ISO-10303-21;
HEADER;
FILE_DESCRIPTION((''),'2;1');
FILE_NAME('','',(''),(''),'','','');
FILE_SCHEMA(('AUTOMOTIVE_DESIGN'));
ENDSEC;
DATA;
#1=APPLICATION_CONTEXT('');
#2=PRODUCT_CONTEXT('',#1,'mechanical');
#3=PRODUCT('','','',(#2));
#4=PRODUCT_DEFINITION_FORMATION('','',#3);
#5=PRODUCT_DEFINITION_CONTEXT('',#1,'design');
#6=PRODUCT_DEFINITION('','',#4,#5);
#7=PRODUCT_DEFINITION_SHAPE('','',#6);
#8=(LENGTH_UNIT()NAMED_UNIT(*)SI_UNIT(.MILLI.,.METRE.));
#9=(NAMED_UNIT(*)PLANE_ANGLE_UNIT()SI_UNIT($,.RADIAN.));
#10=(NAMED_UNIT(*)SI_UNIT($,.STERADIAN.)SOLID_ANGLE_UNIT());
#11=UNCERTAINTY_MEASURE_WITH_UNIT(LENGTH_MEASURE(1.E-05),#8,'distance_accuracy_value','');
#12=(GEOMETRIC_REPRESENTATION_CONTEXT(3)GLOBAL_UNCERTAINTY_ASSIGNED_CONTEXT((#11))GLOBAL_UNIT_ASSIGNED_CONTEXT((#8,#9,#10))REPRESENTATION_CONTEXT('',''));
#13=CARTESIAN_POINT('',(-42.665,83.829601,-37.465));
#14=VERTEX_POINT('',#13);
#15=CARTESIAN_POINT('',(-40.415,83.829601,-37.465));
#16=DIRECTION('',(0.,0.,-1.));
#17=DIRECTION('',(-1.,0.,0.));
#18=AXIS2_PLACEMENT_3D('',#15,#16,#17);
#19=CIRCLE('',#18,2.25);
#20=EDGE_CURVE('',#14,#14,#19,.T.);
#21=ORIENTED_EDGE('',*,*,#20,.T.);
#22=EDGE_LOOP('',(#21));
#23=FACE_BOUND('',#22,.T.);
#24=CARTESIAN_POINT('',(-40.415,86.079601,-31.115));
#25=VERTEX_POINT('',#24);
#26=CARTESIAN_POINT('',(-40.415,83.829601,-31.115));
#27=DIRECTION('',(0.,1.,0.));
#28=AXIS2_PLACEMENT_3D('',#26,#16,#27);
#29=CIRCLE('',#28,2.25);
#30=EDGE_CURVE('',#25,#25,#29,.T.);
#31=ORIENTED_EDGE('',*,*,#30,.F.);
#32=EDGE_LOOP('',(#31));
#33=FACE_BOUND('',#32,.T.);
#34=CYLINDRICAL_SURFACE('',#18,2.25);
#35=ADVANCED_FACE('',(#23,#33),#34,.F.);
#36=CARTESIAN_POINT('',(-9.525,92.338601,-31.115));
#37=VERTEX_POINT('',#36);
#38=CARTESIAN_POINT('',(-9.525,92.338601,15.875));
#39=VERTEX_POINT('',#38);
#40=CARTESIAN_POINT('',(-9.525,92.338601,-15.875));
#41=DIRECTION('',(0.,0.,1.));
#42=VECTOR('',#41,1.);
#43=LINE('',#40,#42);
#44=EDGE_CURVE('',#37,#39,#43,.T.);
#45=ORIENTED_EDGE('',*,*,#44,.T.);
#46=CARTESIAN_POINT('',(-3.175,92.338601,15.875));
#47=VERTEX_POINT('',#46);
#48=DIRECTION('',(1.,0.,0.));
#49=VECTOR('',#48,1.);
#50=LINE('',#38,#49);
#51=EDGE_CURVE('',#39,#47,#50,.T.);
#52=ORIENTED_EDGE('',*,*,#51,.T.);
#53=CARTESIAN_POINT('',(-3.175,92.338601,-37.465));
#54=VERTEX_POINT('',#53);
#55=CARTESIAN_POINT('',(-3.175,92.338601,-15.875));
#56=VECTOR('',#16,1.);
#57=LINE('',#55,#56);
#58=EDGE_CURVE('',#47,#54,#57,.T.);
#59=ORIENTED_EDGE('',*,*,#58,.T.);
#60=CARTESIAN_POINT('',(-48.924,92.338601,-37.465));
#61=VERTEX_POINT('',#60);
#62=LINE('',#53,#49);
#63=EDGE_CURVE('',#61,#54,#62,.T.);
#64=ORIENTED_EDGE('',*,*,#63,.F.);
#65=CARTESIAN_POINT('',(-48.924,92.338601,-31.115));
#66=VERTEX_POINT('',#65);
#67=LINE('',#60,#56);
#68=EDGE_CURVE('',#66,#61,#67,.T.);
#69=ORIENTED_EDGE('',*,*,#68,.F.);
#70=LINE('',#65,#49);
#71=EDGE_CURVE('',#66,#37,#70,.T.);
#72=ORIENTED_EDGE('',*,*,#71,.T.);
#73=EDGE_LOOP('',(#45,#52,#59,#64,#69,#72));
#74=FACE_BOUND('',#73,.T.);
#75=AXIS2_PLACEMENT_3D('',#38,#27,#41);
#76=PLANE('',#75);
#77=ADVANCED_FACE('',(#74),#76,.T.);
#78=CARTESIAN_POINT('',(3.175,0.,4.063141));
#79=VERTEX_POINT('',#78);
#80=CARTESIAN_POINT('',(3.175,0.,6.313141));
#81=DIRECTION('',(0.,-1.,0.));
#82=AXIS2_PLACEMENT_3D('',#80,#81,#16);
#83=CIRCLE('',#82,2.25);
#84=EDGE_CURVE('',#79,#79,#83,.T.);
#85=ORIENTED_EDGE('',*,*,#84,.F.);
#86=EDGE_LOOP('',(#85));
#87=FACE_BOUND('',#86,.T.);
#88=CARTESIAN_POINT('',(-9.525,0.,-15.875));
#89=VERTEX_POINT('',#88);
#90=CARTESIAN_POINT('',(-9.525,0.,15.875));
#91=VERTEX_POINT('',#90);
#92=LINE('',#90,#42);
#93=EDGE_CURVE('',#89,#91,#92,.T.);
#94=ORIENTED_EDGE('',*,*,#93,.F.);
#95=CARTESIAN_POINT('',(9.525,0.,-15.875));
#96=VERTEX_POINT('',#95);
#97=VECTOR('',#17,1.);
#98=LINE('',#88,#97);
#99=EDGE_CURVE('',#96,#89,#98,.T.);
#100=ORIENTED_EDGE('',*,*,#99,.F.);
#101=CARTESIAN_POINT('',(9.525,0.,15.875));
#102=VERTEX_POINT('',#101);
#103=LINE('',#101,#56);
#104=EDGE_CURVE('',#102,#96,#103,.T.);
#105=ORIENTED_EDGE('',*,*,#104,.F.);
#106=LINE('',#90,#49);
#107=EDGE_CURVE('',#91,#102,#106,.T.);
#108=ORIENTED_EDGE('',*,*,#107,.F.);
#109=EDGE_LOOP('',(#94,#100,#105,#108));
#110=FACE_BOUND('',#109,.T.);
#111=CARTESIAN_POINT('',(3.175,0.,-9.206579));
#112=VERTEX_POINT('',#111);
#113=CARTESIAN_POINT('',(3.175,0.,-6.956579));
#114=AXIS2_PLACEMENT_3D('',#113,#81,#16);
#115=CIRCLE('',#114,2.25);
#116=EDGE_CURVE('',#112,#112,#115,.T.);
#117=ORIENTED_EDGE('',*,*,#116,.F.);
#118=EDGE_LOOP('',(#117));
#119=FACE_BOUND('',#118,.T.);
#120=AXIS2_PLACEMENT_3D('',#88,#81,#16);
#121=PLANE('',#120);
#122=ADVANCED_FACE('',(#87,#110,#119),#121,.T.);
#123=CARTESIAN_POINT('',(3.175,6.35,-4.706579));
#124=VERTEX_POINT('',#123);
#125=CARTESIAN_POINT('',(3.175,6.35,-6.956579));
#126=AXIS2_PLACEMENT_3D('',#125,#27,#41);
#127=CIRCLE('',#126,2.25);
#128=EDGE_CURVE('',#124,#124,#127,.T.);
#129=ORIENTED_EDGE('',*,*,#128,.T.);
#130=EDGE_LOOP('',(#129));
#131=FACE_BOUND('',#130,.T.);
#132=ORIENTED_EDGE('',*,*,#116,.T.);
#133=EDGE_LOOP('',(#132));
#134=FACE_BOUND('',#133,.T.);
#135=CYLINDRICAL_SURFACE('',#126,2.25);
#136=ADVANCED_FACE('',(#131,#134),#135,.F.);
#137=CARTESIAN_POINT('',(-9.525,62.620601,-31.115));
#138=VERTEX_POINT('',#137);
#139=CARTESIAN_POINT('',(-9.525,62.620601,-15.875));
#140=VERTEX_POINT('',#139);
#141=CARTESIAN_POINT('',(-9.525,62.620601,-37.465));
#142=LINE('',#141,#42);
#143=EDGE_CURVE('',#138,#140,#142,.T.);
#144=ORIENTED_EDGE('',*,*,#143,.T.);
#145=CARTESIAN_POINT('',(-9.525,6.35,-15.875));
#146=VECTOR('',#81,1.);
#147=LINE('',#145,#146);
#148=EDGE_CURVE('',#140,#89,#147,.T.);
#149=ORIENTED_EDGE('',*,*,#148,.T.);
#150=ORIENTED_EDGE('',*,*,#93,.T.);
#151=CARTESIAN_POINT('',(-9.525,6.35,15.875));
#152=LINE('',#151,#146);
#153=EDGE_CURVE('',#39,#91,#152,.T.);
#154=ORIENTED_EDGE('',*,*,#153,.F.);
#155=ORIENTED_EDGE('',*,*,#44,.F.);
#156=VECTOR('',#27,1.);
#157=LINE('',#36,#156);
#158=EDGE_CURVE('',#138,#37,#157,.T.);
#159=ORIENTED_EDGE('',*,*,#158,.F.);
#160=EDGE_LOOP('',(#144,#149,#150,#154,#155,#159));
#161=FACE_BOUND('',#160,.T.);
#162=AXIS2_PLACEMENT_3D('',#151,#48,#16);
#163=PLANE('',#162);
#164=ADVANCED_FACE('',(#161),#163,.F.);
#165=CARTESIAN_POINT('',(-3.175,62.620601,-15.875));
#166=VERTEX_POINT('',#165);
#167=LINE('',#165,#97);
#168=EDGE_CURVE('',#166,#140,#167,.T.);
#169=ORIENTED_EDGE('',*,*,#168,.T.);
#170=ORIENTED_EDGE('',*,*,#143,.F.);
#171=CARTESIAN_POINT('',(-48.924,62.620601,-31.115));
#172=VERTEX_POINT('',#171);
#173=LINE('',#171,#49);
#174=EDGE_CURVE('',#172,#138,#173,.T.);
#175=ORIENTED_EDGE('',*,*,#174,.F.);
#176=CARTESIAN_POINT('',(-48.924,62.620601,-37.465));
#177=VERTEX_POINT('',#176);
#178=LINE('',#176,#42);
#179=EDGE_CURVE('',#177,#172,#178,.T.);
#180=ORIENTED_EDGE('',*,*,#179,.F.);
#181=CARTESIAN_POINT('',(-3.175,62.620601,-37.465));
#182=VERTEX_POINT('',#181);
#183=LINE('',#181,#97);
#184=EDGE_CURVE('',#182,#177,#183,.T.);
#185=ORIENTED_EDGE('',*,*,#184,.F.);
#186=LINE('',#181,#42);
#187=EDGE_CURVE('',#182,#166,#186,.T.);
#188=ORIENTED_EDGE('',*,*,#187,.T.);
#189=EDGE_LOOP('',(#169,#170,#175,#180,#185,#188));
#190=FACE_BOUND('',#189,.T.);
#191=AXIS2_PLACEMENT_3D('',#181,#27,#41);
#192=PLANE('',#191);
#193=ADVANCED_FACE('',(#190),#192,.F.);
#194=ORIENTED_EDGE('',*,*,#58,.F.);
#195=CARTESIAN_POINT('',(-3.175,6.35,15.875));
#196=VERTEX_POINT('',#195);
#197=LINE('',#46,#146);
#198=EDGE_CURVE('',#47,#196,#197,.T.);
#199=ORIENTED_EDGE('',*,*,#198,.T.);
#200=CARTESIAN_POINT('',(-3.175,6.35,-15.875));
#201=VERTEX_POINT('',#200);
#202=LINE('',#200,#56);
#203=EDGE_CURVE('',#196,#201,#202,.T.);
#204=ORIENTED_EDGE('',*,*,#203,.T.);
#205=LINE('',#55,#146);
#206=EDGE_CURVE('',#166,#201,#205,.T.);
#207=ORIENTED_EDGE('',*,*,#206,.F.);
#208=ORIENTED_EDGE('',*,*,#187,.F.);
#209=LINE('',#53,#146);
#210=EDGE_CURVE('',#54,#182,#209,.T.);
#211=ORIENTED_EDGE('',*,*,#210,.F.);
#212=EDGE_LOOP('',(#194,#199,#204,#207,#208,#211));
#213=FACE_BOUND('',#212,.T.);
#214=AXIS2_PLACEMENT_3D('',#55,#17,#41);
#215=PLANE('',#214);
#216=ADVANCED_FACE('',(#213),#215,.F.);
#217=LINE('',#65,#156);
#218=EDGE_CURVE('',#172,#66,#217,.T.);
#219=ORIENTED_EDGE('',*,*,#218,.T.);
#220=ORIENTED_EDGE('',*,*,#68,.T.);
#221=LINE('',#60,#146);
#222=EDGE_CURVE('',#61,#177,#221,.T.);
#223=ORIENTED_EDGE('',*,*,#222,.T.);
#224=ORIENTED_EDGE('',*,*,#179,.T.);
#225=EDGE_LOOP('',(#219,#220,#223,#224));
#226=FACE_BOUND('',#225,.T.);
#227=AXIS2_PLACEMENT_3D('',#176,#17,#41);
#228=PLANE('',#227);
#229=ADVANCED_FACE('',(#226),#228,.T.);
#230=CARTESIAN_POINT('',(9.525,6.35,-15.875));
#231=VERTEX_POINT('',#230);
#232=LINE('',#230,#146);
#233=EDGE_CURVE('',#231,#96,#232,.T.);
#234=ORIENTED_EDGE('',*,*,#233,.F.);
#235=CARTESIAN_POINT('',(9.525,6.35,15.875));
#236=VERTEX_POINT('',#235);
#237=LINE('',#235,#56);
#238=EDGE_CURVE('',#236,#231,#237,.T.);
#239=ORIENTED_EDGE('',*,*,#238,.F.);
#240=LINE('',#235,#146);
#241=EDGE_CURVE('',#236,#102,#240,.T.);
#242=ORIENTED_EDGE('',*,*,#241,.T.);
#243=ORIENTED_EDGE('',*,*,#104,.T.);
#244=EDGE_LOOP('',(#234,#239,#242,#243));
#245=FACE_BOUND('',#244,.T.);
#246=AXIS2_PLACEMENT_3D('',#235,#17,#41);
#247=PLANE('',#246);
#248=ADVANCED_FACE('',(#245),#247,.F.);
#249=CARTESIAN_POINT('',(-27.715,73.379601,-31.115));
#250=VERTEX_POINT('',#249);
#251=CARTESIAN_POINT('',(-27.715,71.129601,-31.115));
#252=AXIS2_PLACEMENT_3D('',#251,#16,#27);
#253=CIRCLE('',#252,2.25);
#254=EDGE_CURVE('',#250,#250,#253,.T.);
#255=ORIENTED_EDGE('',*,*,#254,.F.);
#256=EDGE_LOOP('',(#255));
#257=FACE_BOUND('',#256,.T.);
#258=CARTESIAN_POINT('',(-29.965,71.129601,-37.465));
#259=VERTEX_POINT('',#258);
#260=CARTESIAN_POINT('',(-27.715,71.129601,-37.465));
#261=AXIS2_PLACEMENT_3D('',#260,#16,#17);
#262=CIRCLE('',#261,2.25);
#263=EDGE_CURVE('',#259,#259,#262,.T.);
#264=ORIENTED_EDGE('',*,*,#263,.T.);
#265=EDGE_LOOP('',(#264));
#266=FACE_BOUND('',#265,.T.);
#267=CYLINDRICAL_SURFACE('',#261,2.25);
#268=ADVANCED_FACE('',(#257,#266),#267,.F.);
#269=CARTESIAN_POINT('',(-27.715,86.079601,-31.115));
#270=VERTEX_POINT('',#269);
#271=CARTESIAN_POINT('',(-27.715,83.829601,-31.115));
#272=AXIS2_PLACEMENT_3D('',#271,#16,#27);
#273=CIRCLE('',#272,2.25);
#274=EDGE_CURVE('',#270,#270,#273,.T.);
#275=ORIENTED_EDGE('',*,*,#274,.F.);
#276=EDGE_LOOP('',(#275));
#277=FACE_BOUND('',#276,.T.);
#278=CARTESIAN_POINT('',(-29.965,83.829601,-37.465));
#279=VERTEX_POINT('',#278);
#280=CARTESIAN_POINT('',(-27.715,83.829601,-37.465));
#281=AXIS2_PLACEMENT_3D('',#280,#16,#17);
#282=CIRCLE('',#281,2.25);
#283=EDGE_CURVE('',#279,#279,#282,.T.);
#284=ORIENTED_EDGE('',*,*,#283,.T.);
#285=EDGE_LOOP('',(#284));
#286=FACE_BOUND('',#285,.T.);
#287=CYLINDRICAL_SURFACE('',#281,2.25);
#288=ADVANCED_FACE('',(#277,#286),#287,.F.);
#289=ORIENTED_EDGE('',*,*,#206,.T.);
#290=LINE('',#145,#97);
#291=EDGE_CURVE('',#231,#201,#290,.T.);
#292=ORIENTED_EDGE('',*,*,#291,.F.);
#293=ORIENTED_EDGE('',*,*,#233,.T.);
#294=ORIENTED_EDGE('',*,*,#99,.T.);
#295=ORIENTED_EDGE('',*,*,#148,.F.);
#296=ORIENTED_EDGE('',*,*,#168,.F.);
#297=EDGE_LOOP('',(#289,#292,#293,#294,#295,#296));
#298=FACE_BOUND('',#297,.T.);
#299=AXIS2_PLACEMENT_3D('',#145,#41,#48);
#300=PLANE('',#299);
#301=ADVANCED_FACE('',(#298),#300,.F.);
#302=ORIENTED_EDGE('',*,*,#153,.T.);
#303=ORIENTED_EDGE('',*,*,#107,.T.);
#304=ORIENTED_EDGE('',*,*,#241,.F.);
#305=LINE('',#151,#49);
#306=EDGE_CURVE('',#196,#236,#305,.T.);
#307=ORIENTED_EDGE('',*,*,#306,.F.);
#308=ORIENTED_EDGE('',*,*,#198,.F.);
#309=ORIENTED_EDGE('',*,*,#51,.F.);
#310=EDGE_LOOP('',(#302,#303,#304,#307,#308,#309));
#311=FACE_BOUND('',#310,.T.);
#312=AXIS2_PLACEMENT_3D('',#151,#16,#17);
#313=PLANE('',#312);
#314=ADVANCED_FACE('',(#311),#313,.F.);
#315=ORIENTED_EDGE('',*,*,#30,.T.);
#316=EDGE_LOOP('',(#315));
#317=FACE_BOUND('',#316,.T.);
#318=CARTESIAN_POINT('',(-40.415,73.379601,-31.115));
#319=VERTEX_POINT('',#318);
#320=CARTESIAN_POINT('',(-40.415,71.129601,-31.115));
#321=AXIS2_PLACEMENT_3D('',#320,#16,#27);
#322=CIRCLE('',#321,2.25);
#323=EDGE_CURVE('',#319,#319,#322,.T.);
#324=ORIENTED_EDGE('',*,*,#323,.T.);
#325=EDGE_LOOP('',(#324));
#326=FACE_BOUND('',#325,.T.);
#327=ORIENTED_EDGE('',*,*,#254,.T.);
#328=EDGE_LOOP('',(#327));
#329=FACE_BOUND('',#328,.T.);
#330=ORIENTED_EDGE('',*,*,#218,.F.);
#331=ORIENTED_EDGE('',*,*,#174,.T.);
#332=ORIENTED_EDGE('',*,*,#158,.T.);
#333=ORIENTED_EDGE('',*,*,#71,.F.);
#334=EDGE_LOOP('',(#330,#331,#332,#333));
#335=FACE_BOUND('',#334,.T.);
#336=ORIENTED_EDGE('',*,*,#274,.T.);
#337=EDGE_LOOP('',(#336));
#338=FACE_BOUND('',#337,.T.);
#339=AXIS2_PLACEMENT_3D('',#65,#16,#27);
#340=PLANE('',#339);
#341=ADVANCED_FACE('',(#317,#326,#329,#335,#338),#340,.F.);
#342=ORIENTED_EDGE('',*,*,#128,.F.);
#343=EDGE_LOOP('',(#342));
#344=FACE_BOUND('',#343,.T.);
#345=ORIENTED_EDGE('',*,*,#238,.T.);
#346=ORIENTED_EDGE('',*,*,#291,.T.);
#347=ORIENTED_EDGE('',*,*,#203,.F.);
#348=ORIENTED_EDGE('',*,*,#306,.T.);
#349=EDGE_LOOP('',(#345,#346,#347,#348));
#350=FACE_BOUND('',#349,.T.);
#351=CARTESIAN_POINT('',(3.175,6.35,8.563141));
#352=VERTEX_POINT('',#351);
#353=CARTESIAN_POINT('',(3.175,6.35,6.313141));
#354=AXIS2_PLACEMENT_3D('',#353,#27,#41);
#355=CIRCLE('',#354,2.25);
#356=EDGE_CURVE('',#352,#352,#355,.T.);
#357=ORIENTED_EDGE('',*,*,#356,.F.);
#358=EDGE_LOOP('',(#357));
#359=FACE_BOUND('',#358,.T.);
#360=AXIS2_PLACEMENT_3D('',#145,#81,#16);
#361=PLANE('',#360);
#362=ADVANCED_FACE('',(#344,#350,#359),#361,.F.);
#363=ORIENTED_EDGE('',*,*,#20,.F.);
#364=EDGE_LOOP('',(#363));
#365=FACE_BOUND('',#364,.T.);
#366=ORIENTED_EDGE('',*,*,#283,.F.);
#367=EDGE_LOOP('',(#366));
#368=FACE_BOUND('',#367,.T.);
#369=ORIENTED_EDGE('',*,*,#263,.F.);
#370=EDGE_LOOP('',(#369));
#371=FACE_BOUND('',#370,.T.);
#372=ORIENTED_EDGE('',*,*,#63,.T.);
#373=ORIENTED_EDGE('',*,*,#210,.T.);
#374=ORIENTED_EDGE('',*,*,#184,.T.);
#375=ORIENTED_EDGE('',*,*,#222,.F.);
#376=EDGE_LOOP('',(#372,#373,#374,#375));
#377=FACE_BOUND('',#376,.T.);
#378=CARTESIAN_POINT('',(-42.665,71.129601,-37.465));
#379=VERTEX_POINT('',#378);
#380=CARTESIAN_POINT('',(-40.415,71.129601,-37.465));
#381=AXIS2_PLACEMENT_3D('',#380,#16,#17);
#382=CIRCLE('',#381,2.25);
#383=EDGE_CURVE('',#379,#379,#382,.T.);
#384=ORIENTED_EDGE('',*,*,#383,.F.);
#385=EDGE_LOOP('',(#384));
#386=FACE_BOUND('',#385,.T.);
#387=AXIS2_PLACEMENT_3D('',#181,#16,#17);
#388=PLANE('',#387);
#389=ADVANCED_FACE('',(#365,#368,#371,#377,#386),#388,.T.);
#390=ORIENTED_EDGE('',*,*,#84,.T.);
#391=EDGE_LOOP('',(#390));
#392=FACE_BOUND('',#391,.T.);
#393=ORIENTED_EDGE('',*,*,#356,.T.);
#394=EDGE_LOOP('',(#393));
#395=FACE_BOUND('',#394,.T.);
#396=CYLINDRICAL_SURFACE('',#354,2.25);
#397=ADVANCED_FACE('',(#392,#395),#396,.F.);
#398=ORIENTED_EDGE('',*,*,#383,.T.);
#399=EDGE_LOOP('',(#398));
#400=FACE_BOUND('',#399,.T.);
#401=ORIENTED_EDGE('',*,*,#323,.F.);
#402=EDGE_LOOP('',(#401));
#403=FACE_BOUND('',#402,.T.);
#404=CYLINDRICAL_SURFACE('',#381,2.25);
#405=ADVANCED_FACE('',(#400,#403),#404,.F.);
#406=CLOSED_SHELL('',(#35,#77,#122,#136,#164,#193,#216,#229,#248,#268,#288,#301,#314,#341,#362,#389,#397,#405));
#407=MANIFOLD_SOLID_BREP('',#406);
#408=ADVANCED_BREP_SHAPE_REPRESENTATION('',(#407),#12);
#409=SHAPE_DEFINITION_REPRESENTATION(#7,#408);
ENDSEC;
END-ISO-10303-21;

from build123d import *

# Parameters (mm, degrees)
SKETCH1_W            = 19.05
SKETCH1_H            = 31.75
EXTRUDE1_DEPTH       = 6.35
SKETCH3_W            = 6.35
SKETCH3_H            = 31.75
EXTRUDE2_DEPTH       = 85.9886012
SKETCH4_W            = 6.35
SKETCH4_H            = 29.718
EXTRUDE3_DEPTH       = 21.59
SKETCH5_W            = 6.35
SKETCH5_H            = 29.718
EXTRUDE4_DEPTH       = 39.399
M4_CLEARANCE_HOLE1_D = 4.5
M4_CLEARANCE_HOLE2_D = 4.5


with BuildPart() as part:
    # Sketch1 → Extrude1 (new body)
    with BuildSketch(Plane(origin=(0, 0, 0), x_dir=(1, 0, 0), z_dir=(0, 1, 0))):
        Rectangle(SKETCH1_W, SKETCH1_H)
    extrude(amount=EXTRUDE1_DEPTH)

    # Sketch3 → Extrude2 (add)
    with BuildSketch(Plane(origin=(0, 6.35, 0), x_dir=(1, 0, 0), z_dir=(0, 1, 0))):
        with Locations((-6.35, 0)):
            Rectangle(SKETCH3_W, SKETCH3_H)
    extrude(amount=EXTRUDE2_DEPTH)

    # Sketch4 → Extrude3 (add)
    with BuildSketch(Plane(origin=(0, 0, -15.875), x_dir=(-1, 0, 0), z_dir=(0, 0, -1))):
        with Locations((6.35, 77.4796012)):
            Rectangle(SKETCH4_W, SKETCH4_H)
    extrude(amount=EXTRUDE3_DEPTH)

    # Sketch5 → Extrude4 (add)
    with BuildSketch(Plane.ZY.offset(9.525)):
        with Locations((-34.29, 77.4796012)):
            Rectangle(SKETCH5_W, SKETCH5_H)
    extrude(amount=EXTRUDE4_DEPTH)

    # M4 Clearance Hole1 (through all)
    with Locations(Plane(origin=(30.89, -14.85899888, -37.465), x_dir=(-1, 0, 0), z_dir=(0, 0, -1))):
        with Locations((71.305, 85.98860008), (58.605, 85.98860008), (58.605, 98.68860008), (71.305, 98.68860008)):
            Hole(M4_CLEARANCE_HOLE1_D / 2)

    # M4 Clearance Hole2 (through all)
    with Locations(Plane(origin=(0, 6.35, 0), x_dir=(-1, 0, 0), z_dir=(0, 1, 0))):
        with Locations((-3.175, 6.313141271), (-3.175, -6.956578863)):
            Hole(M4_CLEARANCE_HOLE2_D / 2)


solid = part.part
